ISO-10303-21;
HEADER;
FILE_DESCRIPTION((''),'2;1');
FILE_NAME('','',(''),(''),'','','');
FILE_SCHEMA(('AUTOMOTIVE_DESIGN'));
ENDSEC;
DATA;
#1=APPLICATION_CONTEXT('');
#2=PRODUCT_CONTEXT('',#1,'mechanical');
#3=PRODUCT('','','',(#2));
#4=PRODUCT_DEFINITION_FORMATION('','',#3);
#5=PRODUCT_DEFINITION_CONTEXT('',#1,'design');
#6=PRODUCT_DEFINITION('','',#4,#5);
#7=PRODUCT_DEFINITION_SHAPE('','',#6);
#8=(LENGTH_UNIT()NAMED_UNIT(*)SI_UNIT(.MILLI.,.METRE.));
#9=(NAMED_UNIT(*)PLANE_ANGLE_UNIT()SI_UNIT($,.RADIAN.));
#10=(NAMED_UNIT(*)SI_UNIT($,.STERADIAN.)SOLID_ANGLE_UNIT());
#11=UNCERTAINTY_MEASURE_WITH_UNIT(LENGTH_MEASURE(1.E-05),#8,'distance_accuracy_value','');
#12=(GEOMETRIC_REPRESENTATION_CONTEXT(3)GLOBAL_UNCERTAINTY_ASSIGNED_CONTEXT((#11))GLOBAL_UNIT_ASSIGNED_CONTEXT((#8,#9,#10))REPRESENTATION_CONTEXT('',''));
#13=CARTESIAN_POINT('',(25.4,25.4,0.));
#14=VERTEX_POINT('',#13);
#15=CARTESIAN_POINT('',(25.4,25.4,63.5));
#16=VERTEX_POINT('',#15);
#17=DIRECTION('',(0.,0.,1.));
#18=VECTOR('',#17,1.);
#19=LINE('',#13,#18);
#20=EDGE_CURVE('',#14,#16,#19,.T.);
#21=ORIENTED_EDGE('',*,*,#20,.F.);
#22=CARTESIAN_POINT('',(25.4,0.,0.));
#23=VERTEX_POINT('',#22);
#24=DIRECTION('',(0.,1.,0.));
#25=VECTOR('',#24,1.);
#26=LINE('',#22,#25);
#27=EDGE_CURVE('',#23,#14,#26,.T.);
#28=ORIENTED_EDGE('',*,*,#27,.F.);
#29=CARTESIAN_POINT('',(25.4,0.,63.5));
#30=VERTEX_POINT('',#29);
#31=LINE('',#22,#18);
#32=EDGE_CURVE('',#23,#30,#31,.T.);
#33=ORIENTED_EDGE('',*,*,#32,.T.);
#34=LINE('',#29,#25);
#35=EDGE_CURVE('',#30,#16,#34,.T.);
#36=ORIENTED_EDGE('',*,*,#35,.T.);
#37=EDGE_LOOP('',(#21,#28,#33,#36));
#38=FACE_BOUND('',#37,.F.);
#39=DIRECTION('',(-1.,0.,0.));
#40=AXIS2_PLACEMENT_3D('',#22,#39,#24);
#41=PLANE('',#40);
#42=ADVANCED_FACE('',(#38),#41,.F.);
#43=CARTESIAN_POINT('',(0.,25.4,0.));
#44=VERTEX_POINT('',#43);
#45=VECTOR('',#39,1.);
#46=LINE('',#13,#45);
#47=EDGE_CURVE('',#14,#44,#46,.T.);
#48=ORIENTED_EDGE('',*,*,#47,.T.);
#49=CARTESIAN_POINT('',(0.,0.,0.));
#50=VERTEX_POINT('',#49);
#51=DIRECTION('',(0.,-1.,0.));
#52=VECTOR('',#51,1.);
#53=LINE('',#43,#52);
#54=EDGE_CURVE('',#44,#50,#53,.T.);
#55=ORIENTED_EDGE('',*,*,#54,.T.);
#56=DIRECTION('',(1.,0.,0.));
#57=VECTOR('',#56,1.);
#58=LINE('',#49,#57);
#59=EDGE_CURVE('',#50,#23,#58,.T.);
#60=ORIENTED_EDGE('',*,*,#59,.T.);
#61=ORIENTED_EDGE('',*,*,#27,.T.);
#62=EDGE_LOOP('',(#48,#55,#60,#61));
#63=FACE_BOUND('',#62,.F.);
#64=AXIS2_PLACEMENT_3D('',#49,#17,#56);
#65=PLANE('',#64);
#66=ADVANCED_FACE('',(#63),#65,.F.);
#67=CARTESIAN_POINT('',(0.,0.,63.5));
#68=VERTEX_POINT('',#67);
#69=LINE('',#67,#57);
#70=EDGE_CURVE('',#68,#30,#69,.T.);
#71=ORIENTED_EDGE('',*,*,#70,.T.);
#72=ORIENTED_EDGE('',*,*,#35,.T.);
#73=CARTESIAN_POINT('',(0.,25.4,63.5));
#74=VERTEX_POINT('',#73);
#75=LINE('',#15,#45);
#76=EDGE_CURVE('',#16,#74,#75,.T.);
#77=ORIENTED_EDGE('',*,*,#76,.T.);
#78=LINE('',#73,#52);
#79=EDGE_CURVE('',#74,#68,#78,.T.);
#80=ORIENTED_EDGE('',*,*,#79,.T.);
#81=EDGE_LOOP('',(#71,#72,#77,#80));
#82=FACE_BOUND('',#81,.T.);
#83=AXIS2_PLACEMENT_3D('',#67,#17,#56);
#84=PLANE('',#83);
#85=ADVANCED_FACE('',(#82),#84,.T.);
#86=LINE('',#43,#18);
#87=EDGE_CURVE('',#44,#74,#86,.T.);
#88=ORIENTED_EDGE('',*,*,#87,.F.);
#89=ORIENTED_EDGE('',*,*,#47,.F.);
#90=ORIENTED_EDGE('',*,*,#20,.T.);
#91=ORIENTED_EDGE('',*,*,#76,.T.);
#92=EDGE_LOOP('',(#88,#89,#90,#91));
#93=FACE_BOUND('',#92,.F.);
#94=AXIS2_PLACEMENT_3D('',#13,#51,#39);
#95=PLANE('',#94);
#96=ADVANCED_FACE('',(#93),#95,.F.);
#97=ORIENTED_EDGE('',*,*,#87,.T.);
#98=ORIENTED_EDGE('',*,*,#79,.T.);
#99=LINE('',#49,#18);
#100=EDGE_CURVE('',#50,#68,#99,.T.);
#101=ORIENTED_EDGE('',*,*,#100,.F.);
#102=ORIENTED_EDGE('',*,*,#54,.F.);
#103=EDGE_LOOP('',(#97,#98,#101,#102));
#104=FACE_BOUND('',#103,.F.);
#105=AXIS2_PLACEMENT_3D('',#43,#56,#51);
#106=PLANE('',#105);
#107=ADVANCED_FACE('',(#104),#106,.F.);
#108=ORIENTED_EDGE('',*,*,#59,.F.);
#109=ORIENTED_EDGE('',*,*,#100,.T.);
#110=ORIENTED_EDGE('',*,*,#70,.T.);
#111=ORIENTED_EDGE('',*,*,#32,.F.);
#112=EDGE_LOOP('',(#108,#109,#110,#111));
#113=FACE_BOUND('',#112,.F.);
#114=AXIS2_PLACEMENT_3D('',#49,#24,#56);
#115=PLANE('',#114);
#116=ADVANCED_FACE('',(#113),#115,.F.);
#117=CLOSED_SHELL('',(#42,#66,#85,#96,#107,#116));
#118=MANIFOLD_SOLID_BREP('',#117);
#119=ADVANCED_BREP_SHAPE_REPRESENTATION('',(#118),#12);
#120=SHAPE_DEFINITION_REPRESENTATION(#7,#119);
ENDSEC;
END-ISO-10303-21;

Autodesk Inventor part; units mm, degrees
ref_plane "YZ Plane" through (0, 0, 0) normal (1, 0, 0) x (0, 1, 0)
ref_plane "XZ Plane" through (0, 0, 0) normal (0, 1, 0) x (-1, 0, 0)
ref_plane "XY Plane" through (0, 0, 0) normal (0, 0, 1) x (1, 0, 0)
sketch "Sketch1" plane through (0, 0, 0) normal (0, 0, 1) x (1, 0, 0)
  line L0 (0, 0) -> (25.4, 0)
  line L1 (25.4, 0) -> (25.4, 25.4)
  line L2 (25.4, 25.4) -> (0, 25.4)
  line L3 (0, 25.4) -> (0, 0)
  dimension "d0" = 25.4
  dimension "d1" = 25.4
extrude "Extrusion1" add sketch "Sketch1" along normal blind 63.5
equation "\"d1\" = d0"
properties part number "Container"
